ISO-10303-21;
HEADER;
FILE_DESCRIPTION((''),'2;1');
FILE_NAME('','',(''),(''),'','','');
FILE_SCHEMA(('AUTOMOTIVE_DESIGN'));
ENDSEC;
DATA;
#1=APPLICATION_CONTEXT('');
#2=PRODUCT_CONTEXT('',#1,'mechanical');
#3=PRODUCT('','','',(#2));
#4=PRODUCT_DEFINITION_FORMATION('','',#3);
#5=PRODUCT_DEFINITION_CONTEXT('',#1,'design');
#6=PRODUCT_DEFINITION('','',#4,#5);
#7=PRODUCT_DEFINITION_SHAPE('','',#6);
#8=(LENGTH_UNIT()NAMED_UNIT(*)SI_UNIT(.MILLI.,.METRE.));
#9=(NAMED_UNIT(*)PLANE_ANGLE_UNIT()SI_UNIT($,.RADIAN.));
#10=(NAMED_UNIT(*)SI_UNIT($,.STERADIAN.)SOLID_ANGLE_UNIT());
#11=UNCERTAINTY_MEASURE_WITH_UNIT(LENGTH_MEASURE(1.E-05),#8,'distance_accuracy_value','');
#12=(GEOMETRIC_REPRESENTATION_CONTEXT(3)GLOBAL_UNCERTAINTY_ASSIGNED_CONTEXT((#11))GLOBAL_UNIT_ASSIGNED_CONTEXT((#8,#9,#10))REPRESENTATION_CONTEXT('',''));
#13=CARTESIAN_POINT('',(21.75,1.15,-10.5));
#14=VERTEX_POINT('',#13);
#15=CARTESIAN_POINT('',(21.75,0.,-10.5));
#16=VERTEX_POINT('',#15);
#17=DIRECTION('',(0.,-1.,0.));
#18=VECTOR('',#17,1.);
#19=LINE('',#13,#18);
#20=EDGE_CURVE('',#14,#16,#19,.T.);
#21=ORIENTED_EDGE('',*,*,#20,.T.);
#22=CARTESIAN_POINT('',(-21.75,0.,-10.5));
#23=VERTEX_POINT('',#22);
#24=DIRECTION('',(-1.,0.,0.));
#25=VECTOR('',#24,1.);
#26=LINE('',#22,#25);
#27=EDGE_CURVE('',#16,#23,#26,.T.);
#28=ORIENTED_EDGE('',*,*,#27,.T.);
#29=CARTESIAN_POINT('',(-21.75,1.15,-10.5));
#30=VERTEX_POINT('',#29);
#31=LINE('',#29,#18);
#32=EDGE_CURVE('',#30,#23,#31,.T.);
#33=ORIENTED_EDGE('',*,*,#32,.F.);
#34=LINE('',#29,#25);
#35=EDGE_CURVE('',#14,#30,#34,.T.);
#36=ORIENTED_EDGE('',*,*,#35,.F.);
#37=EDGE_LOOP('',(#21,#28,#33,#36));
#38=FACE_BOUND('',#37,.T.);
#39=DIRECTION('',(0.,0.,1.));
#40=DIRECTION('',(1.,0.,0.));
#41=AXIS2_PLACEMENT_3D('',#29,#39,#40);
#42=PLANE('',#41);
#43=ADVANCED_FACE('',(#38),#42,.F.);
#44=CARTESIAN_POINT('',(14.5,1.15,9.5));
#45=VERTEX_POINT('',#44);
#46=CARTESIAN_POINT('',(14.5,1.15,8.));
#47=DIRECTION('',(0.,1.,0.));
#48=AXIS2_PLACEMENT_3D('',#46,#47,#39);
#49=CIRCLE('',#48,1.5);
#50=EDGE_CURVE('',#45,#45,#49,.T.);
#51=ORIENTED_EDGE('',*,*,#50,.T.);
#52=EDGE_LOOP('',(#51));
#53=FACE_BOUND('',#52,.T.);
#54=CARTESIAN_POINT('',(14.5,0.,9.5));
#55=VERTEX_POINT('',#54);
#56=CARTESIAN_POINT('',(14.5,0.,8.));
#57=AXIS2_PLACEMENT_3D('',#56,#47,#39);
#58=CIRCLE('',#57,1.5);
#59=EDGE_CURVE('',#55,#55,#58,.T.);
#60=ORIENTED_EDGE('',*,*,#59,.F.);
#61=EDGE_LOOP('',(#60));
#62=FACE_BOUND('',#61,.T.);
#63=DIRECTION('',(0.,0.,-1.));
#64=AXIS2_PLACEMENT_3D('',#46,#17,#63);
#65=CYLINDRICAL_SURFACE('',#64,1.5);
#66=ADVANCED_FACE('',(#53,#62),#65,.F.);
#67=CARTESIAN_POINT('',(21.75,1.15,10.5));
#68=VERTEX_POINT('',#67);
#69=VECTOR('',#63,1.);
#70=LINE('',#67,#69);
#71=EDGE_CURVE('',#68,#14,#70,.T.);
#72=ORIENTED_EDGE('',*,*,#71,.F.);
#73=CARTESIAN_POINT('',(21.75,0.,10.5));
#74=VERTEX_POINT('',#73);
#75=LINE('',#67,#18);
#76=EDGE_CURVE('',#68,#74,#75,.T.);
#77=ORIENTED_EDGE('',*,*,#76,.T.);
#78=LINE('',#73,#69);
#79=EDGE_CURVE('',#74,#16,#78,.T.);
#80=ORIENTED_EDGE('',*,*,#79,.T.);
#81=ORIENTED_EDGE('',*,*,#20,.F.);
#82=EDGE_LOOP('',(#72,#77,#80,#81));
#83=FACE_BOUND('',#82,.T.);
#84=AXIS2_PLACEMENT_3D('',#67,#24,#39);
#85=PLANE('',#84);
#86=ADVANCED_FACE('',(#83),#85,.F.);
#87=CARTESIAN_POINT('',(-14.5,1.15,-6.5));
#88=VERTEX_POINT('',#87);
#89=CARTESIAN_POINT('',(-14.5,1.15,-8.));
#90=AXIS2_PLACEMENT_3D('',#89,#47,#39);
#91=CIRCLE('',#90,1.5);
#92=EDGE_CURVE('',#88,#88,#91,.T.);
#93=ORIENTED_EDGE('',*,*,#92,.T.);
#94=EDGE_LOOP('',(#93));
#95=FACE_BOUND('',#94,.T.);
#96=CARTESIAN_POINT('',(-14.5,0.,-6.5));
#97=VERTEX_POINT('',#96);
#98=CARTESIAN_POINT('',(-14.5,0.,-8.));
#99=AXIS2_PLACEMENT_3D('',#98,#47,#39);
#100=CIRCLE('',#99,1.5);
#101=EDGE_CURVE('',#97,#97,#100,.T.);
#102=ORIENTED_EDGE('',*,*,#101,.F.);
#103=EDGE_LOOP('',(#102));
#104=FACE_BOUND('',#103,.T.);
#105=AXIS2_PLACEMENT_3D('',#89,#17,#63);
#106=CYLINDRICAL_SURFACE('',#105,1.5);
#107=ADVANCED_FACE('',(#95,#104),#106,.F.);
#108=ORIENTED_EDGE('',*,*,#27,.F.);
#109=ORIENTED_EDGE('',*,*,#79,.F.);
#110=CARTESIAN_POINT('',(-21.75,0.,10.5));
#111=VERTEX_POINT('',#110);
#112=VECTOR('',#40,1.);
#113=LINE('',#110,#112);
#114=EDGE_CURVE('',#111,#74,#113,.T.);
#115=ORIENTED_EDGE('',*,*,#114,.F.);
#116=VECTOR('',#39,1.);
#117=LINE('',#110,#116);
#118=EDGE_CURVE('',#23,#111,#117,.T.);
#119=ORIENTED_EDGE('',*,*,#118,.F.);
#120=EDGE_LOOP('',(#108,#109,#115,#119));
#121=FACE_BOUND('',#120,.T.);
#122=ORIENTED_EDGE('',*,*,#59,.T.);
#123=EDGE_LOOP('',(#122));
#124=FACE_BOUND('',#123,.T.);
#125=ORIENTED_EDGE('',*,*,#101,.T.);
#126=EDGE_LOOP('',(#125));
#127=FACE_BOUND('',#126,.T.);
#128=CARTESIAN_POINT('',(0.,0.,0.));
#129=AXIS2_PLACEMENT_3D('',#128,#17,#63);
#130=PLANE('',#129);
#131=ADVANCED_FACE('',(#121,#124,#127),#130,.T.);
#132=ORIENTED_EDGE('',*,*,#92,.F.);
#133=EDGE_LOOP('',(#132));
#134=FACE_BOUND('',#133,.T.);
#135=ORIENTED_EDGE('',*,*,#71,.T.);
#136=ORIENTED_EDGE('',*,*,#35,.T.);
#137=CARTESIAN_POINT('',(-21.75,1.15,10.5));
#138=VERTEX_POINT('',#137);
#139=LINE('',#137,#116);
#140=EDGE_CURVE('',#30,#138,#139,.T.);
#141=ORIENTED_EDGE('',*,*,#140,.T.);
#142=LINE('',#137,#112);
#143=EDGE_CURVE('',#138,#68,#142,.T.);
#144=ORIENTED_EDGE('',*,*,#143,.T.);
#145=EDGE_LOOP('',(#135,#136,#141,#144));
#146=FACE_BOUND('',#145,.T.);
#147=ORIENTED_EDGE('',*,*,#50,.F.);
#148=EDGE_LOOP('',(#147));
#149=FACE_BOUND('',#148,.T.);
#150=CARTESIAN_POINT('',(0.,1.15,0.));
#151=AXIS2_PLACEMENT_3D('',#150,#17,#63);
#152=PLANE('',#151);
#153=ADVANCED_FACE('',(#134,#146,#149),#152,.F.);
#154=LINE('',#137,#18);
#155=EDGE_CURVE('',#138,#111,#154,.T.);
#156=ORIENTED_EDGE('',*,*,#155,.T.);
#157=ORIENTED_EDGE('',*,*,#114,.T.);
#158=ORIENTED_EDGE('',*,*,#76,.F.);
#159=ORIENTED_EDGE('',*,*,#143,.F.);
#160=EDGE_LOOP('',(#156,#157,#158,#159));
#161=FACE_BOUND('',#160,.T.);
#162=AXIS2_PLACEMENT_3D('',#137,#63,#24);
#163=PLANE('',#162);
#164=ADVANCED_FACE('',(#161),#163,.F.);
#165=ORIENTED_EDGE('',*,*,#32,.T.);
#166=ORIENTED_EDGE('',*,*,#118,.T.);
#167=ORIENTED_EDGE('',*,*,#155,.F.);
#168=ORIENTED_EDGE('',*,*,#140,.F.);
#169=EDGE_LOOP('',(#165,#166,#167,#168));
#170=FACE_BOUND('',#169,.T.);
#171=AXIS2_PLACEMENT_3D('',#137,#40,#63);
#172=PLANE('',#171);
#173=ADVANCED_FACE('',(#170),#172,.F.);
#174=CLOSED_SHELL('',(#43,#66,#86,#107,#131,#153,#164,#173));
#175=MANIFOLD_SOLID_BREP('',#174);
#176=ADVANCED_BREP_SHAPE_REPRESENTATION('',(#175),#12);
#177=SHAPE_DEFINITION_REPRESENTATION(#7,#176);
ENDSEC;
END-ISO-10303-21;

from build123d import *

# Parameters (mm, degrees)
SKETCH1_W           = 43.5
SKETCH1_H           = 21
SKETCH1_R           = 1.5
BOSS_EXTRUDE1_DEPTH = 1.15


with BuildPart() as part:
    # Sketch1 → Boss-Extrude1 (new body)
    with BuildSketch(Plane(origin=(0, 0, 0), x_dir=(1, 0, 0), z_dir=(0, 1, 0))):
        Rectangle(SKETCH1_W, SKETCH1_H)
        with Locations((-14.5, 8)):
            Circle(SKETCH1_R, mode=Mode.SUBTRACT)
        with Locations((14.5, -8)):
            Circle(SKETCH1_R, mode=Mode.SUBTRACT)
    extrude(amount=BOSS_EXTRUDE1_DEPTH)


solid = part.part
